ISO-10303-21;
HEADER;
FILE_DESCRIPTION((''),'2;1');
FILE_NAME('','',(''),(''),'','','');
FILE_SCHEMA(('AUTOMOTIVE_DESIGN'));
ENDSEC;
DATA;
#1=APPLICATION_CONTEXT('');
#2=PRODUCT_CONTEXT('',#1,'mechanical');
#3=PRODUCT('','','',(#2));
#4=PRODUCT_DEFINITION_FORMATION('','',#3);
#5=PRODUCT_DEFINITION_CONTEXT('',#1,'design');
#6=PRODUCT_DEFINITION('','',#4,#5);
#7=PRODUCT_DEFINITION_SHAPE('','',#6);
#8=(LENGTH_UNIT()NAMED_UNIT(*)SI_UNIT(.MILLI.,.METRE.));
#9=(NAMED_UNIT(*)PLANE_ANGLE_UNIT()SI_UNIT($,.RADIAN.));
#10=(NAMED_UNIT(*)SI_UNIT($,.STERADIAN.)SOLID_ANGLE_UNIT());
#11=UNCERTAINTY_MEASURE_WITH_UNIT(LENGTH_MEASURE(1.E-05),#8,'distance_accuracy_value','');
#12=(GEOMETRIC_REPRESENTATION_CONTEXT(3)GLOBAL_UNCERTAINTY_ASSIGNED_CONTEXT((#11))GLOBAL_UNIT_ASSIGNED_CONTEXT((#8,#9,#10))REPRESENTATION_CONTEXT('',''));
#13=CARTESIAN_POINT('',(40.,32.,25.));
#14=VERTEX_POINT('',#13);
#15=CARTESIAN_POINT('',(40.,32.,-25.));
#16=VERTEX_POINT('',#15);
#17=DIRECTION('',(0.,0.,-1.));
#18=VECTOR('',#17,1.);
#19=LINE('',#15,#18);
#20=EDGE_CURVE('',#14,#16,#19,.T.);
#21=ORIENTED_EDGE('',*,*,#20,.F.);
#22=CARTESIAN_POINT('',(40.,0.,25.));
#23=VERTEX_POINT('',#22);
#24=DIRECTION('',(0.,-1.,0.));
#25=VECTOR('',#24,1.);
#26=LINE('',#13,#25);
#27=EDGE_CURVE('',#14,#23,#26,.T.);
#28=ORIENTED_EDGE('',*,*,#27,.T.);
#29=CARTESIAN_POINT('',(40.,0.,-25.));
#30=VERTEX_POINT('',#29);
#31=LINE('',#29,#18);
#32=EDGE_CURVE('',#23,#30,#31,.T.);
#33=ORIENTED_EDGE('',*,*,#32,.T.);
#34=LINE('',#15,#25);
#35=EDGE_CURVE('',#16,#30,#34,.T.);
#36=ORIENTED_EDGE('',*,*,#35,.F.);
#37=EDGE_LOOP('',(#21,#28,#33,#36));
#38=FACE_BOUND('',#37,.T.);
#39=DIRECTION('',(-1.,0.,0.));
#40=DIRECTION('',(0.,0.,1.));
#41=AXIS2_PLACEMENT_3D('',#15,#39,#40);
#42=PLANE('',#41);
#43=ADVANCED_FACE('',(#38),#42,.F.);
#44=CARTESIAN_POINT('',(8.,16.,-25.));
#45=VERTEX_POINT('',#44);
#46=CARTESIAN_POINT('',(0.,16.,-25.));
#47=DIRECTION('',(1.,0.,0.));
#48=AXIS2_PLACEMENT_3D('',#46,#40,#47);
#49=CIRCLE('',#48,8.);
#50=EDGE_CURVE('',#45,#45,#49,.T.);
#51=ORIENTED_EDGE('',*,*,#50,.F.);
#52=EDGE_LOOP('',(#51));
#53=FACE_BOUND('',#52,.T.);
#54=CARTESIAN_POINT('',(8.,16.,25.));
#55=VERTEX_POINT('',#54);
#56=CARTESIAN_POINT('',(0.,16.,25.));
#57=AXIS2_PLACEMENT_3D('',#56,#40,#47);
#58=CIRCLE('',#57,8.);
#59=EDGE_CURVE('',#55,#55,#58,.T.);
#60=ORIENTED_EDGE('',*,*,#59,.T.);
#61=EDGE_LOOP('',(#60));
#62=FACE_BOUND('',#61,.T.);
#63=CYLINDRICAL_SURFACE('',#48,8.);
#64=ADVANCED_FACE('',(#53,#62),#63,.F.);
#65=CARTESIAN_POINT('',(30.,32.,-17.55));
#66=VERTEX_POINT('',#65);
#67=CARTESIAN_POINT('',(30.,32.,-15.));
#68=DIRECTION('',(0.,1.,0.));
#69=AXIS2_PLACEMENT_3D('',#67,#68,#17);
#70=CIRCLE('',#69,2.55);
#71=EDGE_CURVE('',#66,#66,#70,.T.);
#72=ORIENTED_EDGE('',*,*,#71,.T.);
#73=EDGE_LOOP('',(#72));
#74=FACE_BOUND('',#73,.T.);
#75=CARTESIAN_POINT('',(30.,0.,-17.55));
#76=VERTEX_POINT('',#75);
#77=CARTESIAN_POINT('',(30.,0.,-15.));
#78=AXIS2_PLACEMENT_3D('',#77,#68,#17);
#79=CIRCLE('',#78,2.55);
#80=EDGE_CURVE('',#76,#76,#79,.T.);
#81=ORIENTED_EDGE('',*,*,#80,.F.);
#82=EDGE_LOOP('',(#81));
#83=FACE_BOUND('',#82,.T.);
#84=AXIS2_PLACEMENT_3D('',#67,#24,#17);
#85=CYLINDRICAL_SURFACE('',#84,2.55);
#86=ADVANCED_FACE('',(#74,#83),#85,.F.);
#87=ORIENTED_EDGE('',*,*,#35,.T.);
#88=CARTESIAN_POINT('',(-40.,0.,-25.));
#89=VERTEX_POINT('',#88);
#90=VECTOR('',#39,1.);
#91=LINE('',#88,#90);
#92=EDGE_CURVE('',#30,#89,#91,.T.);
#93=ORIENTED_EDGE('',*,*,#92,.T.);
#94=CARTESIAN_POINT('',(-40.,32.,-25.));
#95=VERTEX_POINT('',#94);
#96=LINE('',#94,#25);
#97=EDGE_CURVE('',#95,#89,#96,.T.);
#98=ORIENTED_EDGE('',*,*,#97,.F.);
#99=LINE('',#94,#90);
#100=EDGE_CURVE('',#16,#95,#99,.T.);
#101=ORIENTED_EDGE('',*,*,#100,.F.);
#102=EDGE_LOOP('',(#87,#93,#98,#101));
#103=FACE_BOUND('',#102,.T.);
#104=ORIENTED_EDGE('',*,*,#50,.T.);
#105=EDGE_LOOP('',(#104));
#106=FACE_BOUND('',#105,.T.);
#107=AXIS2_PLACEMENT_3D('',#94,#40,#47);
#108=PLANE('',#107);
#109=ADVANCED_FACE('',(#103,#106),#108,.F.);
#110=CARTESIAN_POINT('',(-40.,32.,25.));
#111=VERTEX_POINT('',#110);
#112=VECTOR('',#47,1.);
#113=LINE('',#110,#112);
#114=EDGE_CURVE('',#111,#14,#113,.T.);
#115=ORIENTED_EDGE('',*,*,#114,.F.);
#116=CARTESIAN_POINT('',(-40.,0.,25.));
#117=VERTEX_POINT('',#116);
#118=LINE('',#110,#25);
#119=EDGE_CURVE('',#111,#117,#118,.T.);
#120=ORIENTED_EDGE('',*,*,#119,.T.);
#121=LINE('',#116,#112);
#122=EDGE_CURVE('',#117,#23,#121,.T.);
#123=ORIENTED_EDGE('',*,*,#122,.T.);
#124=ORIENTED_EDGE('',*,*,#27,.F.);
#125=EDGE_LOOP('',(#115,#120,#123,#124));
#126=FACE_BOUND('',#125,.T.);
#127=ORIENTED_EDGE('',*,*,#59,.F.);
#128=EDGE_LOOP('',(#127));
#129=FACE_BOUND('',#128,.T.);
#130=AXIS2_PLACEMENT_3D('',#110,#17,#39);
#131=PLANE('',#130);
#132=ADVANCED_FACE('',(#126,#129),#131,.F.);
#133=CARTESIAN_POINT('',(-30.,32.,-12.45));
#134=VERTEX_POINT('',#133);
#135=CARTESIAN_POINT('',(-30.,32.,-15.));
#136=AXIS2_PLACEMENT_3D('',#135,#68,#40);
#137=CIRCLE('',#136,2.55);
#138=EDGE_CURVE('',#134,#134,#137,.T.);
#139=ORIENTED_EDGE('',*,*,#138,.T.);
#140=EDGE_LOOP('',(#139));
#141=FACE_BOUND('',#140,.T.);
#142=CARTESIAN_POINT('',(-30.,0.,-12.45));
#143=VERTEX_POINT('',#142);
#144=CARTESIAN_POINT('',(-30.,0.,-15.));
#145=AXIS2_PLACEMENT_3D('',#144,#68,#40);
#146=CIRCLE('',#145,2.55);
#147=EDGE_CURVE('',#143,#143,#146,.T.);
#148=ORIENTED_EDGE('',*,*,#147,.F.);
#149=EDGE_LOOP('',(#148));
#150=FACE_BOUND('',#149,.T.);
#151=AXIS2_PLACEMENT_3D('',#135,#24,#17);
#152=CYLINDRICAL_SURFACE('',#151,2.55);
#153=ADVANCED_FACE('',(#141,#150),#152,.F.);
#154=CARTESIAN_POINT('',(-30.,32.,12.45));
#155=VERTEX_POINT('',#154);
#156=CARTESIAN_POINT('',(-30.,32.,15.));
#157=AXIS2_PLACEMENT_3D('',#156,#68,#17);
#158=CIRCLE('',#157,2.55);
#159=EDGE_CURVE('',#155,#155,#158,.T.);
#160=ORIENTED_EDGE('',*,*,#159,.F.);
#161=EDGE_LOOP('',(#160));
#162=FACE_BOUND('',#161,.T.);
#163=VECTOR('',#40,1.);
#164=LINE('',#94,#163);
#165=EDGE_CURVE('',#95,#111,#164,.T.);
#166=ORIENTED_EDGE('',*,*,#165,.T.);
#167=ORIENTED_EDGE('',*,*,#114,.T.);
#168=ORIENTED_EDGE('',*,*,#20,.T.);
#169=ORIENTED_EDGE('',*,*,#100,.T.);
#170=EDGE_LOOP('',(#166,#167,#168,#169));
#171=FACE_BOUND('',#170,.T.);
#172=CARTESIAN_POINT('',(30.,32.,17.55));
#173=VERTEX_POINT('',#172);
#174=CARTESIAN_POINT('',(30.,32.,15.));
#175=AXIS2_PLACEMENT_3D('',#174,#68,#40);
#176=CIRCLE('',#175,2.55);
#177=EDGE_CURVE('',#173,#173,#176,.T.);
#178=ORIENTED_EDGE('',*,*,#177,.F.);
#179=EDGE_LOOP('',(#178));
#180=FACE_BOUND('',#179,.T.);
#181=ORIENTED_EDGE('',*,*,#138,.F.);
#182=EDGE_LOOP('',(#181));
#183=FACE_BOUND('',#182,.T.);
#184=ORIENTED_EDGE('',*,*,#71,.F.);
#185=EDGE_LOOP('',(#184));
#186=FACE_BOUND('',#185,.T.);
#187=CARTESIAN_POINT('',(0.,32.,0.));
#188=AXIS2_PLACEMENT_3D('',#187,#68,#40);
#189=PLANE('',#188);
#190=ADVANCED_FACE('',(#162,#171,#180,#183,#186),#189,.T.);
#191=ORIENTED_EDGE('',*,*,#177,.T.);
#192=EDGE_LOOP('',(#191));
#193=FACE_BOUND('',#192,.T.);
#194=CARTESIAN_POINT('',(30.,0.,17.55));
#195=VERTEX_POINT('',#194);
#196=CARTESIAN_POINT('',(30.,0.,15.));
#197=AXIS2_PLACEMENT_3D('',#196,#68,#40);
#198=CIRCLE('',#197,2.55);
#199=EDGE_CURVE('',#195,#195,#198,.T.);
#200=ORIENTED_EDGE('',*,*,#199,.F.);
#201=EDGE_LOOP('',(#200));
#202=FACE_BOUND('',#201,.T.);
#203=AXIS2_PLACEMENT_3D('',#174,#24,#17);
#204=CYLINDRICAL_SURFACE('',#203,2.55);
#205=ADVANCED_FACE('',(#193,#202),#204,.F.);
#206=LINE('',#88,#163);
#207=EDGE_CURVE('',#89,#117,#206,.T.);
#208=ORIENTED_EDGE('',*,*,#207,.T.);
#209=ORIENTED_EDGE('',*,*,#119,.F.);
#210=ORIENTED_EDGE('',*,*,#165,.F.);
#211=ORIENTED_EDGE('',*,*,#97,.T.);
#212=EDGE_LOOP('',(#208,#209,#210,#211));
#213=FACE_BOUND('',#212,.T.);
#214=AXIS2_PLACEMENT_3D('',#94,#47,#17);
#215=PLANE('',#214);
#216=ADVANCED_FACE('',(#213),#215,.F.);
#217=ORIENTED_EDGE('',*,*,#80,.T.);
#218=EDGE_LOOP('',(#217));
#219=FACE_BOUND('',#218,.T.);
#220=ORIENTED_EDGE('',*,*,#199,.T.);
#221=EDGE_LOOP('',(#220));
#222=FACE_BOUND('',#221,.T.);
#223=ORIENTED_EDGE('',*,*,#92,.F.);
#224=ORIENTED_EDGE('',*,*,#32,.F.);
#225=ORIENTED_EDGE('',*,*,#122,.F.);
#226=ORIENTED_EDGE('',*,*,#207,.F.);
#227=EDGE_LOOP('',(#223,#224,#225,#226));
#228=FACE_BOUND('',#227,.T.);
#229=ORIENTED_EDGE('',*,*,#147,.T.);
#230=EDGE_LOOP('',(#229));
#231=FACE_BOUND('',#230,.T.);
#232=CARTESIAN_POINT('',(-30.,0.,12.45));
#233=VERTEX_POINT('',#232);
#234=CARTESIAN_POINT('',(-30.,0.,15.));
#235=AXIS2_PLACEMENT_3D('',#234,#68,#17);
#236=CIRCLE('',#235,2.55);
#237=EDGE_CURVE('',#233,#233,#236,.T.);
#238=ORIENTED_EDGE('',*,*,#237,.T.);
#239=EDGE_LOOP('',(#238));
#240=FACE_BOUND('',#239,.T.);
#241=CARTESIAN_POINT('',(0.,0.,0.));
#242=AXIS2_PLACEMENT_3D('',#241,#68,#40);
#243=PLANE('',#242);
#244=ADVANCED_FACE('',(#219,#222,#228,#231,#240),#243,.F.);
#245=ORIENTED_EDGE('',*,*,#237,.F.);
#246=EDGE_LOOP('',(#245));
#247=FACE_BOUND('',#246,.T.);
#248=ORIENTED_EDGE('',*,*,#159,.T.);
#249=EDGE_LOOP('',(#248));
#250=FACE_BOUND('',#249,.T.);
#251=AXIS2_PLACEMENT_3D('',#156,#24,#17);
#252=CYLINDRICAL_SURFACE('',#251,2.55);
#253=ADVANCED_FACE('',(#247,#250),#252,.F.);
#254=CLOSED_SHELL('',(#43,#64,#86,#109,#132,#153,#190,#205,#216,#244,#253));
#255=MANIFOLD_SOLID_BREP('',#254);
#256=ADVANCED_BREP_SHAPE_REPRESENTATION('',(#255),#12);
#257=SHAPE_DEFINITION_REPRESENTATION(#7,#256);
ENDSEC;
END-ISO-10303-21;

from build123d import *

# Parameters (mm, degrees)
SKETCH1_W           = 80
SKETCH1_H           = 50
SKETCH1_R           = 2.55
BOSS_EXTRUDE1_DEPTH = 32
SKETCH2_R           = 8
CUT_EXTRUDE1_DEPTH  = 50


with BuildPart() as part:
    # Sketch1 → Boss-Extrude1 (new body)
    with BuildSketch(Plane(origin=(0, 0, 0), x_dir=(1, 0, 0), z_dir=(0, 1, 0))):
        Rectangle(SKETCH1_W, SKETCH1_H)
        with Locations((-30, 15)):
            Circle(SKETCH1_R, mode=Mode.SUBTRACT)
        with Locations((30, 15)):
            Circle(SKETCH1_R, mode=Mode.SUBTRACT)
        with Locations((30, -15)):
            Circle(SKETCH1_R, mode=Mode.SUBTRACT)
        with Locations((-30, -15)):
            Circle(SKETCH1_R, mode=Mode.SUBTRACT)
    extrude(amount=BOSS_EXTRUDE1_DEPTH)

    # Sketch2 → Cut-Extrude1 (cut)
    with BuildSketch(Plane.XY.offset(25)):
        with Locations((0, 16)):
            Circle(SKETCH2_R)
    extrude(amount=-CUT_EXTRUDE1_DEPTH, mode=Mode.SUBTRACT)


solid = part.part
